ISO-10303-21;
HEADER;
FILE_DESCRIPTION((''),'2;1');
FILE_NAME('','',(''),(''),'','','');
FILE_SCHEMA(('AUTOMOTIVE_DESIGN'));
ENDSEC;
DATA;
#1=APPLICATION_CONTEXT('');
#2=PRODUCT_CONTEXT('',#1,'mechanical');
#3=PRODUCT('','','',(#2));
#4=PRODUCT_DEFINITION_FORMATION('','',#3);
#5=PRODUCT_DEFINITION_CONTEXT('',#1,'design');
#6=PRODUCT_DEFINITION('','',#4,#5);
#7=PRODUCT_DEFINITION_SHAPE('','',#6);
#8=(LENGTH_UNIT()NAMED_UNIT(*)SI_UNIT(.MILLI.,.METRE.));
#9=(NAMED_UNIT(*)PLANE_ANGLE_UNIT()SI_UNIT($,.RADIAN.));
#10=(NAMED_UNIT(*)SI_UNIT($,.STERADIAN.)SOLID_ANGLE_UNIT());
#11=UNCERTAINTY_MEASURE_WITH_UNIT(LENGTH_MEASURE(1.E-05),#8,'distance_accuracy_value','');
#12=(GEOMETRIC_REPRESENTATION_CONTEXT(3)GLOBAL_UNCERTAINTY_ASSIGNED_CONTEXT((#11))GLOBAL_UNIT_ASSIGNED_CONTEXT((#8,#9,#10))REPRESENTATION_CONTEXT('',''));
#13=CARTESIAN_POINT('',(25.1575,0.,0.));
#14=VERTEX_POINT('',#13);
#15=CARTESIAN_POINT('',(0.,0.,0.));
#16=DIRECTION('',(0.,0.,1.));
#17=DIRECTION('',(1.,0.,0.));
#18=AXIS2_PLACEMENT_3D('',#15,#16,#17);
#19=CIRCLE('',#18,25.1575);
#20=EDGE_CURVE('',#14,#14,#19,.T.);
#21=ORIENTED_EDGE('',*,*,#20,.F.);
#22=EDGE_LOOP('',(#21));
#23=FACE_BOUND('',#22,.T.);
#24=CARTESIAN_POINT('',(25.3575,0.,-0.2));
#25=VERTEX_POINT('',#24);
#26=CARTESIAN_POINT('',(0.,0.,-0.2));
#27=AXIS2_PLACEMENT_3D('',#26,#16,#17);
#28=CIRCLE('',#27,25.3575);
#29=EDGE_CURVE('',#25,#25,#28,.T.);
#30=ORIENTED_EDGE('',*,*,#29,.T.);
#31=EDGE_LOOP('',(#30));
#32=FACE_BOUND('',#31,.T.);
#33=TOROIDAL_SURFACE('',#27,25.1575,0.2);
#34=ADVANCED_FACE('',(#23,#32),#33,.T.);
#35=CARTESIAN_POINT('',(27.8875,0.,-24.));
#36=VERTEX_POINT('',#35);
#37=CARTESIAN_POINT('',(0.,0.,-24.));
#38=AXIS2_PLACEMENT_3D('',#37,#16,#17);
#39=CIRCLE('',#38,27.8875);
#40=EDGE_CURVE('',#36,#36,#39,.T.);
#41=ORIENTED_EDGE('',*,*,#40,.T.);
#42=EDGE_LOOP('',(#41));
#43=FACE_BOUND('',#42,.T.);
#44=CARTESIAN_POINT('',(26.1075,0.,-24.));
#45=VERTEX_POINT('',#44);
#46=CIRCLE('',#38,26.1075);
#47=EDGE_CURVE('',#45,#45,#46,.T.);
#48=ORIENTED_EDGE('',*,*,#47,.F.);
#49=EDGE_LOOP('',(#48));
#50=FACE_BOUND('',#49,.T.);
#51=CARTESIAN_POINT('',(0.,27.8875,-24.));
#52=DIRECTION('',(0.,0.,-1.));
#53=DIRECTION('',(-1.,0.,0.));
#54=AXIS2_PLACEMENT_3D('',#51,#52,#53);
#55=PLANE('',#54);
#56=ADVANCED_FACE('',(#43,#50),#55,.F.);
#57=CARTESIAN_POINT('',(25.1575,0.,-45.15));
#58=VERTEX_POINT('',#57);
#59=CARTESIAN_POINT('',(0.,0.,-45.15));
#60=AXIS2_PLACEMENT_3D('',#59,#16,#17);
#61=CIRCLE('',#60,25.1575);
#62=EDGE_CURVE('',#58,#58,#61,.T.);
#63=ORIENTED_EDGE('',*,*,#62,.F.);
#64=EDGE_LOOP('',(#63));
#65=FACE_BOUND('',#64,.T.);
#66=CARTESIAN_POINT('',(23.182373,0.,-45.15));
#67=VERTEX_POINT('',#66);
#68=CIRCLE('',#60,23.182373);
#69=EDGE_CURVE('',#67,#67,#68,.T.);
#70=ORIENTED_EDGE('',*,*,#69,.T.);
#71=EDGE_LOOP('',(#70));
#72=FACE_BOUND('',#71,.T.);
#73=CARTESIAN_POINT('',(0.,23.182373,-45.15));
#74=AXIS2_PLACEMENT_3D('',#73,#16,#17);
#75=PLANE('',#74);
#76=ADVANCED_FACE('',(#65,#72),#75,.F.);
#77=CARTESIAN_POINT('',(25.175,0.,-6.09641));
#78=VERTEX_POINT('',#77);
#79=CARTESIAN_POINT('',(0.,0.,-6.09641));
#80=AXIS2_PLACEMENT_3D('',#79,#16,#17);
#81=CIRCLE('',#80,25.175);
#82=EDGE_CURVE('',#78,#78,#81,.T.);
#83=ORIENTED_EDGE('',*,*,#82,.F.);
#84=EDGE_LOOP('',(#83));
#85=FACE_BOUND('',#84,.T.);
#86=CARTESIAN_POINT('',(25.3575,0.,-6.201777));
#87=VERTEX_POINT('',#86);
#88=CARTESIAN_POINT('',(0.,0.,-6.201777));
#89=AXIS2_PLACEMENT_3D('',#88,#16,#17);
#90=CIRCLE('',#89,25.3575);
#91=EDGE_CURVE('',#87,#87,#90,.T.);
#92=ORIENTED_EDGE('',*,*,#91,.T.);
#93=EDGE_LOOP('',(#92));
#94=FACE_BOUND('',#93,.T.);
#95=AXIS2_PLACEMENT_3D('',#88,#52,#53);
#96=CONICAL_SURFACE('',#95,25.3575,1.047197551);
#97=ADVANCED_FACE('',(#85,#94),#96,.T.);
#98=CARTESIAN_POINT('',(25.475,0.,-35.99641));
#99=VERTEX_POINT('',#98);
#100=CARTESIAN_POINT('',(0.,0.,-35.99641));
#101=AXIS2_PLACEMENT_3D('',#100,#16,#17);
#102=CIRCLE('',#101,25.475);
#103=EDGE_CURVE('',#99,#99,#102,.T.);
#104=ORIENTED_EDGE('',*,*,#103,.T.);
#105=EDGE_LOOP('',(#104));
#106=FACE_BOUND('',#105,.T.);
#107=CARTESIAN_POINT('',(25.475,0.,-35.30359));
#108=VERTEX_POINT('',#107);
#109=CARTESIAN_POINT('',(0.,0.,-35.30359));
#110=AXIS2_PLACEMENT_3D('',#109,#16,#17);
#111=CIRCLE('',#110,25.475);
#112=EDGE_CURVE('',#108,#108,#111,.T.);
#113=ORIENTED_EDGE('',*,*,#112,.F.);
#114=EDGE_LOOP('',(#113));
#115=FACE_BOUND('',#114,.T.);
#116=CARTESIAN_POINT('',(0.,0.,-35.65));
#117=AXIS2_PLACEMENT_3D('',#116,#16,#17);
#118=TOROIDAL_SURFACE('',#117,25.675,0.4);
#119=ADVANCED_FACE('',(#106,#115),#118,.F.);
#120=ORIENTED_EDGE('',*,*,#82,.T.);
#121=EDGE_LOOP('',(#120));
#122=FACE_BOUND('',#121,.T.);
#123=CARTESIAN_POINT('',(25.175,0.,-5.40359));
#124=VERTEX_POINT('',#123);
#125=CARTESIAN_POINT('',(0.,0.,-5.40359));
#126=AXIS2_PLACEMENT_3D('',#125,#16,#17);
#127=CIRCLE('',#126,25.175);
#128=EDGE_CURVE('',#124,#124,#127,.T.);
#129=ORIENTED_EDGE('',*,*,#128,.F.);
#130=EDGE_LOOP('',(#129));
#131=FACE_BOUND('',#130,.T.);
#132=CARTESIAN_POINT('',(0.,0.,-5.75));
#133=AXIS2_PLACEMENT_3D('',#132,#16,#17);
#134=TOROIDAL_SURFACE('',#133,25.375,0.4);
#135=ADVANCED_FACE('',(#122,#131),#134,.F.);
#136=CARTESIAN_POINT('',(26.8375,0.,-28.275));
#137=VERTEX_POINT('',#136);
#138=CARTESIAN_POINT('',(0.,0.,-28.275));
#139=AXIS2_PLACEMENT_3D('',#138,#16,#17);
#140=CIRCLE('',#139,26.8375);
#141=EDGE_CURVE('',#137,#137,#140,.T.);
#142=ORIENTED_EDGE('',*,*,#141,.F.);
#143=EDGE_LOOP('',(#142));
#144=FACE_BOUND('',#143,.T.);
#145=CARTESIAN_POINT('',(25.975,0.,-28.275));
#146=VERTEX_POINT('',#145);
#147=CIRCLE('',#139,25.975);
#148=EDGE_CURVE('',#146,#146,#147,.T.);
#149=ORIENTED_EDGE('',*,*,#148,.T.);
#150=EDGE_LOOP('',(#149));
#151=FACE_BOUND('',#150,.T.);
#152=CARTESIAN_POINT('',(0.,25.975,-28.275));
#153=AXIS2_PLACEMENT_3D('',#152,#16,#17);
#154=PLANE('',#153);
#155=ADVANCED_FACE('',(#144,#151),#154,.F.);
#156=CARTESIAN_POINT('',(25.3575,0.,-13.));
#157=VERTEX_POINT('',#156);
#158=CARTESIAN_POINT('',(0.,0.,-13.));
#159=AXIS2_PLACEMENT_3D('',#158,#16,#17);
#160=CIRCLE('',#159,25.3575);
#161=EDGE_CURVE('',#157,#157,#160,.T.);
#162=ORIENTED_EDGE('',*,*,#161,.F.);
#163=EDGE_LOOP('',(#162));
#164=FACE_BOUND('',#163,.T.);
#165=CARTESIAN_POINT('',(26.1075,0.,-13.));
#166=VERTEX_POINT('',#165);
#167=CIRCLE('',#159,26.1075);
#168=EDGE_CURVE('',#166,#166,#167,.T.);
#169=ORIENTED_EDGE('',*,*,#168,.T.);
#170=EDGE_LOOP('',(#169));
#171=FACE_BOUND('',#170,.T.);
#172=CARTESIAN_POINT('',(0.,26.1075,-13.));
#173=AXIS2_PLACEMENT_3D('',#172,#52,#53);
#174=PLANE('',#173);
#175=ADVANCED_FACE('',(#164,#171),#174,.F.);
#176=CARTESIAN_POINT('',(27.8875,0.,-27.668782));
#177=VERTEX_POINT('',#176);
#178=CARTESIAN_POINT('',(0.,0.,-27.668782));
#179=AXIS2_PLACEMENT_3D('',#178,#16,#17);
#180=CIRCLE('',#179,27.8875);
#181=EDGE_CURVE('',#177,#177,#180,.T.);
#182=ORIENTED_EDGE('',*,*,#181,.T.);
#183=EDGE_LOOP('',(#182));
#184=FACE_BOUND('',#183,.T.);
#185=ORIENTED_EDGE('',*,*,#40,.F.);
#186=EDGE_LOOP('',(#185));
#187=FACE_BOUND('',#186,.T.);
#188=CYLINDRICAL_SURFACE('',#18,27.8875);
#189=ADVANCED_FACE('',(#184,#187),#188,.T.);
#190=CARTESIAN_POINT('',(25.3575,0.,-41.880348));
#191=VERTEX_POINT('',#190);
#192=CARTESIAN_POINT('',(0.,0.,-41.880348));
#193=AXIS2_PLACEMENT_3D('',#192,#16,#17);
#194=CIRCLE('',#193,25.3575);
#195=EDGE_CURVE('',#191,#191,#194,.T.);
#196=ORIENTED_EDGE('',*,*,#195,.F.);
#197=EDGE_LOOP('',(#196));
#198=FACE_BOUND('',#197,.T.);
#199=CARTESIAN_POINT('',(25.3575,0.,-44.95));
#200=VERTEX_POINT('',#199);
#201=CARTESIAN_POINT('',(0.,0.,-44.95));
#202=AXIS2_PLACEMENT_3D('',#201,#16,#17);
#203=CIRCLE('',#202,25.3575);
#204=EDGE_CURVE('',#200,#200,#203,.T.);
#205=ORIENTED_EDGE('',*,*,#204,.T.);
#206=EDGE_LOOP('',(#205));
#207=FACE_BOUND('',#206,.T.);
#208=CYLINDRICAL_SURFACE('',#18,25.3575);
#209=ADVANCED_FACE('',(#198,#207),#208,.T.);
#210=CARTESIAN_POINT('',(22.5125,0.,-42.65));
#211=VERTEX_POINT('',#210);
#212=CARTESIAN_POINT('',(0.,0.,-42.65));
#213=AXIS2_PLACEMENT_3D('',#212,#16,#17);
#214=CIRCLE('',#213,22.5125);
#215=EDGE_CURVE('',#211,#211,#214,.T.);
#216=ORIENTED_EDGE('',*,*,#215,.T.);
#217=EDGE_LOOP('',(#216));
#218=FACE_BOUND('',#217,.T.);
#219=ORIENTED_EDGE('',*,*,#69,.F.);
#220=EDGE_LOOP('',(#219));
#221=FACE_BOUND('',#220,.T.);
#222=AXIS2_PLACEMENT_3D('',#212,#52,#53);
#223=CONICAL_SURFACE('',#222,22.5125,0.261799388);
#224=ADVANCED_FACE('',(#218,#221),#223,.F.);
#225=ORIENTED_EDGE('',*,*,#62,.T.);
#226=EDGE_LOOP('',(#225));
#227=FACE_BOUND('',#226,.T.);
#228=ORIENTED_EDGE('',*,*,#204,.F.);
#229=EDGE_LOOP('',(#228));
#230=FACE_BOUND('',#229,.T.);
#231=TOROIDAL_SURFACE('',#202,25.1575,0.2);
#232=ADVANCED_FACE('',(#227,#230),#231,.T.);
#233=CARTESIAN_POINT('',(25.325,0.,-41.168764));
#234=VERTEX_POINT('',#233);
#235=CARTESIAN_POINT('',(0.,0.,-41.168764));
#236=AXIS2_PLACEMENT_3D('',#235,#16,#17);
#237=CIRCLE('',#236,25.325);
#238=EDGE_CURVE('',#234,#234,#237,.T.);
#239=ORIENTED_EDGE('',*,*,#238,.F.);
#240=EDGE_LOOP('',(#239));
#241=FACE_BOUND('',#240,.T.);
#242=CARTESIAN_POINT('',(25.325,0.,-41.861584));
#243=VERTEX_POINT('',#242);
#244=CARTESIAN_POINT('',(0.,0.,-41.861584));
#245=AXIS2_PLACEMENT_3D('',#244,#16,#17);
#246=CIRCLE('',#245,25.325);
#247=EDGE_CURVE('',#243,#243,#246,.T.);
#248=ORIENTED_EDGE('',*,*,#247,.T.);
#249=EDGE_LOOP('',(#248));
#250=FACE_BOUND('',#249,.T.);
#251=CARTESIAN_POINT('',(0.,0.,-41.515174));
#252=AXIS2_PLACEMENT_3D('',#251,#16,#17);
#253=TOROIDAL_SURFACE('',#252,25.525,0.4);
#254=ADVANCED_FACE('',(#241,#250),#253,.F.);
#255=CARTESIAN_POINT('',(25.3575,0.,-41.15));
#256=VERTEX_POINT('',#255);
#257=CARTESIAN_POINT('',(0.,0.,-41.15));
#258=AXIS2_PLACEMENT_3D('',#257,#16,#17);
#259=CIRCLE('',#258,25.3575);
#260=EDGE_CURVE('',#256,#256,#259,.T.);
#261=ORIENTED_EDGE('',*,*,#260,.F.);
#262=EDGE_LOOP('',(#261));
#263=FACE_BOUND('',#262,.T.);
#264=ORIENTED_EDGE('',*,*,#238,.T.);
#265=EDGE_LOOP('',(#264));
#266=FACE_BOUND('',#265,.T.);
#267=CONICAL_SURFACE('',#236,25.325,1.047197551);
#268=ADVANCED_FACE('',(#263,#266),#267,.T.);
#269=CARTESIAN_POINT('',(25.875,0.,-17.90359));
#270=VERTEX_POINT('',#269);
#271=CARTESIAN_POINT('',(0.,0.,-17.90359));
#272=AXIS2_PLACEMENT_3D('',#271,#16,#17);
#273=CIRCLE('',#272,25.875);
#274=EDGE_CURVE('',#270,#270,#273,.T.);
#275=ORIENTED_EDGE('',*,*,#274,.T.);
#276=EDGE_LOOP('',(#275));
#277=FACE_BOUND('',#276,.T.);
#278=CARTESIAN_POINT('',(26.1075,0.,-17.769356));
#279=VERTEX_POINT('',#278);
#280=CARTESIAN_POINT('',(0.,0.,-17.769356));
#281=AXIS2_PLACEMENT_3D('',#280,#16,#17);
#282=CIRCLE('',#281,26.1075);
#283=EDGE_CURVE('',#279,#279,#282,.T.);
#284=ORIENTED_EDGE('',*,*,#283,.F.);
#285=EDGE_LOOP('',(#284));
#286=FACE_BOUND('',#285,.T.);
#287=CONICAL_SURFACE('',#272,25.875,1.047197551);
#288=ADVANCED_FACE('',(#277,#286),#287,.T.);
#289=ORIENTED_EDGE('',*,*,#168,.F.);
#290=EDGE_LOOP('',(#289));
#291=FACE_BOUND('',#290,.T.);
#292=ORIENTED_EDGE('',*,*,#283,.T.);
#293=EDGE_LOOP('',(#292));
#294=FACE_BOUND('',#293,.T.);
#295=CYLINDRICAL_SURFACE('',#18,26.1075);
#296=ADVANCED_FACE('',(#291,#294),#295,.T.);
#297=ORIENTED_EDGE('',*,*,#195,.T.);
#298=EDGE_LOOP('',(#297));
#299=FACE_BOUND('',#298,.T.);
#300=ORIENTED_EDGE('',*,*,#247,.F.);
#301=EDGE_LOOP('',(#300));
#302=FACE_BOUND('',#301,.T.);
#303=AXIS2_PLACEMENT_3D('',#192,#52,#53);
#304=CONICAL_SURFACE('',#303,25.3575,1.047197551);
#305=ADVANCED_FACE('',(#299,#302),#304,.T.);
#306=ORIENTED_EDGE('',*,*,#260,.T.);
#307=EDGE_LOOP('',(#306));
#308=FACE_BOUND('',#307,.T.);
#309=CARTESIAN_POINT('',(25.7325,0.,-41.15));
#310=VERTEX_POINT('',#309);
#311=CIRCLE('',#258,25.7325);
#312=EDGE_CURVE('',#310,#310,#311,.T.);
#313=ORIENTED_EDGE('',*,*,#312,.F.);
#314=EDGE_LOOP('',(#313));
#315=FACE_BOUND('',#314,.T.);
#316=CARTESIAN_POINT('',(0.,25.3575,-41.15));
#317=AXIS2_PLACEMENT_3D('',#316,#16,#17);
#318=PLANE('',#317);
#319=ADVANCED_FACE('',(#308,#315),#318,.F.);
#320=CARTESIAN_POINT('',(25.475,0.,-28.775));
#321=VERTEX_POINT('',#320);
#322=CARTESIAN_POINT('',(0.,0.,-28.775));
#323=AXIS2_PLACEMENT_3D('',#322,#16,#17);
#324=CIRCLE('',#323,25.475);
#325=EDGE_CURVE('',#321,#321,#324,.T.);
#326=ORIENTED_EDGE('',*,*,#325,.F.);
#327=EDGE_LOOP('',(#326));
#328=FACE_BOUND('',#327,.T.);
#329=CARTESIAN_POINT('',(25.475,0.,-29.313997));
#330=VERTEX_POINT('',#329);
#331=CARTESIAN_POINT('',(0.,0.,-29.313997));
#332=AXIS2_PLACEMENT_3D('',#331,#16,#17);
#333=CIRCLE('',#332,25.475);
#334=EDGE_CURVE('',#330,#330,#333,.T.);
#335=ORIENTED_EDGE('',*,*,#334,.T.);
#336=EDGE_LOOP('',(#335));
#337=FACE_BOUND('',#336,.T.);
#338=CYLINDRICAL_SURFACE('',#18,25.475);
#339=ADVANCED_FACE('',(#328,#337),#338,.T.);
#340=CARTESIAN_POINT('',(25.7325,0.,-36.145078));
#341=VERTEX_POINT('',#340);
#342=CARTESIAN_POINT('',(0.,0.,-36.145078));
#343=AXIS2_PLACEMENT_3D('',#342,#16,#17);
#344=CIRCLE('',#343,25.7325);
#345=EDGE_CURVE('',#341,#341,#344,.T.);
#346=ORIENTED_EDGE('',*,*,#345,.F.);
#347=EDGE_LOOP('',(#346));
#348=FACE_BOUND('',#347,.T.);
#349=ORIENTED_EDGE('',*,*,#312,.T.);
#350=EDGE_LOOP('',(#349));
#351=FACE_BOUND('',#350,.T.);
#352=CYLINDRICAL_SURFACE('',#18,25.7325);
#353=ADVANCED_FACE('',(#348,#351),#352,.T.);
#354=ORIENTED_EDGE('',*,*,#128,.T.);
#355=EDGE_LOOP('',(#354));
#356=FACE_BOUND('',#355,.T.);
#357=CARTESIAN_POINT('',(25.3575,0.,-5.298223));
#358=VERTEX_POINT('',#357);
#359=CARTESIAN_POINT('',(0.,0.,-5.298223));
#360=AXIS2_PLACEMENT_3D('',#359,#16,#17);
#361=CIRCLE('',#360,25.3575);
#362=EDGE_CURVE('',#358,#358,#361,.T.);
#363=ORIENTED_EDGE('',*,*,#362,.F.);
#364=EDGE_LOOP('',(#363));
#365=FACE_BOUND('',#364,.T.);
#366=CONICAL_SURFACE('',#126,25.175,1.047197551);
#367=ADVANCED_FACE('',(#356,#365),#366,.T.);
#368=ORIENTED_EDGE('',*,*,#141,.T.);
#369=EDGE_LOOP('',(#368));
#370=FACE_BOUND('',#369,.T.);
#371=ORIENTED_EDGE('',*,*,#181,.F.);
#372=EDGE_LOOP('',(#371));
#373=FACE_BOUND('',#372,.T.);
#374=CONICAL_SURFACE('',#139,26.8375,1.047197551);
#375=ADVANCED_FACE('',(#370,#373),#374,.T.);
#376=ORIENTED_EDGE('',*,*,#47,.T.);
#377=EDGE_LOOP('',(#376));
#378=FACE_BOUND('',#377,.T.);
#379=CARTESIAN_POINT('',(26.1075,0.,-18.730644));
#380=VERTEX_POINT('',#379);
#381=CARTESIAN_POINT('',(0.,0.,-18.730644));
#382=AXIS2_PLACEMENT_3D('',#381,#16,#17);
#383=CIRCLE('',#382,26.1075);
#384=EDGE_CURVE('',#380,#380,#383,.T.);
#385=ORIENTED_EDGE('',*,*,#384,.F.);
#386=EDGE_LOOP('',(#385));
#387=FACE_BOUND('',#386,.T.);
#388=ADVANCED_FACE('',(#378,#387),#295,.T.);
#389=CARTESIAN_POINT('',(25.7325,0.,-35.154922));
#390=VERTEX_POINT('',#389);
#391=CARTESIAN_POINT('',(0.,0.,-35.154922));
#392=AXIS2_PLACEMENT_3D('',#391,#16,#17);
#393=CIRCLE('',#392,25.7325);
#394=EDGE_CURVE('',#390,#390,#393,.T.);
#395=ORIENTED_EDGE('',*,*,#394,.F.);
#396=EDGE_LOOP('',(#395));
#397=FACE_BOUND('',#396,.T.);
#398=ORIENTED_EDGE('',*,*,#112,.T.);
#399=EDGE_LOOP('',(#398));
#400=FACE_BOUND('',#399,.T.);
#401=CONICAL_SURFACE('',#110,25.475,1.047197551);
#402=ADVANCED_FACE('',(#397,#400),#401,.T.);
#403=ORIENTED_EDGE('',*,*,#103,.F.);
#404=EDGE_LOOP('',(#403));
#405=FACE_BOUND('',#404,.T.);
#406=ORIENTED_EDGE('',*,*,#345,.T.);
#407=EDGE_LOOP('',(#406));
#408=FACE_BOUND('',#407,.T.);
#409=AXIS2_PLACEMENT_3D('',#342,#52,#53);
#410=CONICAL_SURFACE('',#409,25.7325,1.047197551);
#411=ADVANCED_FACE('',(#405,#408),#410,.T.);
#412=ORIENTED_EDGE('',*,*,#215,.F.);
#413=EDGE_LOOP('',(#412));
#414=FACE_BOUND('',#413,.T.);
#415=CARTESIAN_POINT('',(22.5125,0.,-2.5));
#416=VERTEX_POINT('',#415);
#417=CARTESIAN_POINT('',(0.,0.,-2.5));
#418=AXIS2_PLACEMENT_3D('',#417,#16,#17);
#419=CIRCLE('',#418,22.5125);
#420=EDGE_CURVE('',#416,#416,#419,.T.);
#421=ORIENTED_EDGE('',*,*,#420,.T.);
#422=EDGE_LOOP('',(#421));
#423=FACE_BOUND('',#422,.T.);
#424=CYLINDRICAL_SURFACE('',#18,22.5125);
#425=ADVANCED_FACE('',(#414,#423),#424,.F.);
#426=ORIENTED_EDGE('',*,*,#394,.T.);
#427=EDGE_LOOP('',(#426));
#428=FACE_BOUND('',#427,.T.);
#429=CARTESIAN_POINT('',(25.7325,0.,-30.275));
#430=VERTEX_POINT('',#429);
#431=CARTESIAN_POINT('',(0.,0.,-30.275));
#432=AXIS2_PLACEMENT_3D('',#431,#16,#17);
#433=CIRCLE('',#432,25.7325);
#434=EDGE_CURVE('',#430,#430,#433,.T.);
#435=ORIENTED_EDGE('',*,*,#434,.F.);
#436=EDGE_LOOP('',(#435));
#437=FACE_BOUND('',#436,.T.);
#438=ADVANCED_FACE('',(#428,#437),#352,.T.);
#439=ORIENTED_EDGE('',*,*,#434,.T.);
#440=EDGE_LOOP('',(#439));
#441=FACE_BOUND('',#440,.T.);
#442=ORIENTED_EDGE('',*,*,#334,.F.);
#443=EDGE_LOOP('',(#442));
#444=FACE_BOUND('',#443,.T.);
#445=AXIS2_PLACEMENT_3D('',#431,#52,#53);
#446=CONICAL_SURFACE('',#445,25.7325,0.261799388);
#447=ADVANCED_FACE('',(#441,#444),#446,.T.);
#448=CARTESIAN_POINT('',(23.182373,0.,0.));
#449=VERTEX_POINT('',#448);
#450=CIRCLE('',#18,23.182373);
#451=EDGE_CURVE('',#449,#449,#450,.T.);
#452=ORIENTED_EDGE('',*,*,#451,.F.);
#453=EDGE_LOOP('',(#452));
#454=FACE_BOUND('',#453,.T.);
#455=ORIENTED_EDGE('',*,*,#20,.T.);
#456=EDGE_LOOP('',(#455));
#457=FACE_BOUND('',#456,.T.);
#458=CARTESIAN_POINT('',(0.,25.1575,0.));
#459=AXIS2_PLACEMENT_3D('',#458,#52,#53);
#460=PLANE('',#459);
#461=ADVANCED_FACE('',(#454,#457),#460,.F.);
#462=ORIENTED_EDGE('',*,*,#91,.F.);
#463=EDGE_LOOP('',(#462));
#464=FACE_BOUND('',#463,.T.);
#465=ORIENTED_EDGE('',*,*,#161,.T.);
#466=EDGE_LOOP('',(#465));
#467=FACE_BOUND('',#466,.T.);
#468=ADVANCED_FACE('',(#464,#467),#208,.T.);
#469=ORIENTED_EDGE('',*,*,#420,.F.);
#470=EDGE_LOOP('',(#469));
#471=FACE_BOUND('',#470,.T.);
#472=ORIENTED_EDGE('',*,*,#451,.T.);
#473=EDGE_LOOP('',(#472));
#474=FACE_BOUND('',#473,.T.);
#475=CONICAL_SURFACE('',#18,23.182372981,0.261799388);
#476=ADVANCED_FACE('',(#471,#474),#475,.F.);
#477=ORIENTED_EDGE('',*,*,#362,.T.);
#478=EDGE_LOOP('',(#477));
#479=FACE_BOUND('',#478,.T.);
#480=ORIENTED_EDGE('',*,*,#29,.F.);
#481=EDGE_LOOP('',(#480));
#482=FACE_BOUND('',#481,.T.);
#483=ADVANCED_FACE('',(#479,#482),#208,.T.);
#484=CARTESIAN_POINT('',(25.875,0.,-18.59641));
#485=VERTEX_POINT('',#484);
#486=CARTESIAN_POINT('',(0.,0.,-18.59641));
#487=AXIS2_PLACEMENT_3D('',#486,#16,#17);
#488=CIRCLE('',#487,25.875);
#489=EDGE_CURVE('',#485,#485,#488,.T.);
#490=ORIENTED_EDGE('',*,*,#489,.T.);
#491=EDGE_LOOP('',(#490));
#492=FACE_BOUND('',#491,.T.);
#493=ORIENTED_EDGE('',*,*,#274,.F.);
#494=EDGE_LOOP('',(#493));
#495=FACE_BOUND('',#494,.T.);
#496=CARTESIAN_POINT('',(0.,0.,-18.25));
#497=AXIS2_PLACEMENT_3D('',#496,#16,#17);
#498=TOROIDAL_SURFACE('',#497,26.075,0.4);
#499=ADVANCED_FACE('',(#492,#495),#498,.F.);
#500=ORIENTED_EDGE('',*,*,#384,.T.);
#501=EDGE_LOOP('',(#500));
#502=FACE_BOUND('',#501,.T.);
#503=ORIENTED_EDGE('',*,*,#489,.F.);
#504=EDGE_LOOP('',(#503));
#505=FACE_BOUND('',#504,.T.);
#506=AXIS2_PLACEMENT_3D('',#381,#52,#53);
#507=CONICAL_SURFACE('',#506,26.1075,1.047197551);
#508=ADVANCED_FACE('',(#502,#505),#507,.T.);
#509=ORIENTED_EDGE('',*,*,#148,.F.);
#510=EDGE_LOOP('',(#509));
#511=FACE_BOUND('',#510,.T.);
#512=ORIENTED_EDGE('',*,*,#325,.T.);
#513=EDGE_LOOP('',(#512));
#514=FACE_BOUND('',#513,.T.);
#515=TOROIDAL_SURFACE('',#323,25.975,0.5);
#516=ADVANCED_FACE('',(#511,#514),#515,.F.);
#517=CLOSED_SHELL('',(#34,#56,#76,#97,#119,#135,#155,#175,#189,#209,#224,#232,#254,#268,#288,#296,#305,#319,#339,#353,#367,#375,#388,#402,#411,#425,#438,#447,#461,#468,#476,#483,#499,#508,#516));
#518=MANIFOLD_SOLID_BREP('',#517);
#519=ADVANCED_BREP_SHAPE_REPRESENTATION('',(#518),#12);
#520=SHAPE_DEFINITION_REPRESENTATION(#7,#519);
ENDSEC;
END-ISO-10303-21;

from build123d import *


with BuildPart() as part:
    # Sketch1 → Revolve1 (revolve)
    with BuildSketch(Plane(origin=(0, 0, 0), x_dir=(0, 0, -1), z_dir=(1, 0, 0)), mode=Mode.PRIVATE) as revolve1_sk:
        with BuildLine():
            Line((0, 23.182372981), (2.5, 22.5125))
            Line((2.5, 22.5125), (42.65, 22.5125))
            Line((42.65, 22.5125), (45.15, 23.182372981))
            Line((45.15, 23.182372981), (45.15, 25.1575))
            ThreePointArc((45.15, 25.1575), (45.091421356, 25.298921356), (44.95, 25.3575))
            Line((44.95, 25.3575), (41.880348091, 25.3575))
            Line((41.880348091, 25.3575), (41.861584207, 25.325))
            ThreePointArc((41.861584207, 25.325), (41.515174045, 25.125), (41.168763884, 25.325))
            Line((41.168763884, 25.325), (41.15, 25.3575))
            Line((41.15, 25.3575), (41.15, 25.7325))
            Line((41.15, 25.7325), (36.145077856, 25.7325))
            Line((36.145077856, 25.7325), (35.996410162, 25.475))
            ThreePointArc((35.996410162, 25.475), (35.65, 25.275), (35.303589838, 25.475))
            Line((35.303589838, 25.475), (35.154922144, 25.7325))
            Line((35.154922144, 25.7325), (30.275, 25.7325))
            Line((30.275, 25.7325), (29.313996917, 25.475))
            Line((29.313996917, 25.475), (28.775, 25.475))
            ThreePointArc((28.775, 25.475), (28.421446609, 25.621446609), (28.275, 25.975))
            Line((28.275, 25.975), (28.275, 26.8375))
            Line((28.275, 26.8375), (27.668782217, 27.8875))
            Line((27.668782217, 27.8875), (24, 27.8875))
            Line((24, 27.8875), (24, 26.1075))
            Line((24, 26.1075), (18.730644099, 26.1075))
            Line((18.730644099, 26.1075), (18.596410162, 25.875))
            ThreePointArc((18.596410162, 25.875), (18.25, 25.675), (17.903589838, 25.875))
            Line((17.903589838, 25.875), (17.769355901, 26.1075))
            Line((17.769355901, 26.1075), (13, 26.1075))
            Line((13, 26.1075), (13, 25.3575))
            Line((13, 25.3575), (6.201776586, 25.3575))
            Line((6.201776586, 25.3575), (6.096410162, 25.175))
            ThreePointArc((6.096410162, 25.175), (5.75, 24.975), (5.403589838, 25.175))
            Line((5.403589838, 25.175), (5.298223414, 25.3575))
            Line((5.298223414, 25.3575), (0.2, 25.3575))
            ThreePointArc((0.2, 25.3575), (0.058578644, 25.298921356), (0, 25.1575))
            Line((0, 25.1575), (0, 23.182372981))
        make_face()
    revolve(revolve1_sk.sketch.rotate(Axis((0, 0, 0), (0, 0, -1)), 90), axis=Axis((0, 0, 0), (0, 0, -1)))


solid = part.part
